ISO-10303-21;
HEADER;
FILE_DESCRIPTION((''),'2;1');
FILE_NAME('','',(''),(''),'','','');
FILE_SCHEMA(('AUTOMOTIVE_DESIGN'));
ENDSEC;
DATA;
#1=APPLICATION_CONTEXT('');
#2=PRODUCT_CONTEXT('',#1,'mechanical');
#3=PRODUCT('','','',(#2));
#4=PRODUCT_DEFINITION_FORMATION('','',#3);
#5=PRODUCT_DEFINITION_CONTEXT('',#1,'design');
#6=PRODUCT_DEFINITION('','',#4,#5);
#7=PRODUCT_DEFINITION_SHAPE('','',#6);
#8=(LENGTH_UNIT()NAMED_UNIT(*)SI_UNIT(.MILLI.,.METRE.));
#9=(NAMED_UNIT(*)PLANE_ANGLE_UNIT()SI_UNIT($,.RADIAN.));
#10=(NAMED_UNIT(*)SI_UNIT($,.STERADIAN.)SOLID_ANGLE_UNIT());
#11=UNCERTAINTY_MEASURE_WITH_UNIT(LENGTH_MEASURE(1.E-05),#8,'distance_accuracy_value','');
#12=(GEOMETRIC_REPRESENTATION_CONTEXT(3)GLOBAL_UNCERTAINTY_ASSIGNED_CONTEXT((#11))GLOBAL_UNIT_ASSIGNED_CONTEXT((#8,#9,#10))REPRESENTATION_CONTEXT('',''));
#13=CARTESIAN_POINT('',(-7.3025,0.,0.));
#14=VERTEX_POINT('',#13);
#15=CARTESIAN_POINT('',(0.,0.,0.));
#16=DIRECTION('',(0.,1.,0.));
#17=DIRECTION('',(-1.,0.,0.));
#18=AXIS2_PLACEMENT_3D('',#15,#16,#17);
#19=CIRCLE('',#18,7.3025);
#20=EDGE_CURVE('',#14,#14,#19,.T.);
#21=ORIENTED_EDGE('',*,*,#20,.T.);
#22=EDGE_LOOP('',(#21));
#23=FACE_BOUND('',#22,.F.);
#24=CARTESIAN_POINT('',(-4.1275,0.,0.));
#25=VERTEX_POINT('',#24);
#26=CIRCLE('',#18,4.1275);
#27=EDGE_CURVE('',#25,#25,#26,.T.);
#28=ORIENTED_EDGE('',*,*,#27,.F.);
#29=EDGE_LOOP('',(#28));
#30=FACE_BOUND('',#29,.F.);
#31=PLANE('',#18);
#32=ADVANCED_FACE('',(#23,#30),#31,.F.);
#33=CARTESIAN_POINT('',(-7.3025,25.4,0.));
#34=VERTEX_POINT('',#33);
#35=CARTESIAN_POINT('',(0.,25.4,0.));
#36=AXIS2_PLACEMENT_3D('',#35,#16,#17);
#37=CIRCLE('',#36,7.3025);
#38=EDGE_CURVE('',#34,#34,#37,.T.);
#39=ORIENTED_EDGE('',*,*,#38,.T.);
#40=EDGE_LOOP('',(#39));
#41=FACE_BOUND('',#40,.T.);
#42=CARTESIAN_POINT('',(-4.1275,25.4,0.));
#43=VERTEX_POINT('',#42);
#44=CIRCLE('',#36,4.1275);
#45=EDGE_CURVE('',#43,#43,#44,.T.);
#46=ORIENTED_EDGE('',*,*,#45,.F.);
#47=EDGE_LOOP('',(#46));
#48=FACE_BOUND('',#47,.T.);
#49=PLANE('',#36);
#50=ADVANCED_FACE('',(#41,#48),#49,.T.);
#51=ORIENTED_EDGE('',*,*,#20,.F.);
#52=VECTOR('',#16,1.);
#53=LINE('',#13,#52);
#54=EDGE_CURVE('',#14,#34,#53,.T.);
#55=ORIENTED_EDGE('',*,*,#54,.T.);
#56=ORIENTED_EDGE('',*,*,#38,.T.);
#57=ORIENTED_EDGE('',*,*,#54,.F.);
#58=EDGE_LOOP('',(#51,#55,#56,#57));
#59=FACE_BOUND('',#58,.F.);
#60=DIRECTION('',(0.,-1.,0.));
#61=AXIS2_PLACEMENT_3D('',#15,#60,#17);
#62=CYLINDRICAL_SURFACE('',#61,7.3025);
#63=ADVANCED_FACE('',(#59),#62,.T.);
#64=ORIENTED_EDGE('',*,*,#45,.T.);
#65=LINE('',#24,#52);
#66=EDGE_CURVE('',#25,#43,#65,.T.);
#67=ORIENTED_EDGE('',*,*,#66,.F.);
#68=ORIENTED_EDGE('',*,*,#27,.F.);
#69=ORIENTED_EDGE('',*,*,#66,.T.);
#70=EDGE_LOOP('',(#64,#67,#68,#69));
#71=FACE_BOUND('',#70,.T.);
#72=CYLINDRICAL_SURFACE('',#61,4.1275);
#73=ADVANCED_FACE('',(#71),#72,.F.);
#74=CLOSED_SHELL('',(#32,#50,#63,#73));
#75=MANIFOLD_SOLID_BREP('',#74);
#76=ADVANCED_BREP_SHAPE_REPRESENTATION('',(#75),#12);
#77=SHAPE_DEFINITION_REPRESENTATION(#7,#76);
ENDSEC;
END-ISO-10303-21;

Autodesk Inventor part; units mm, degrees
ref_plane "YZ Plane" through (0, 0, 0) normal (1, 0, 0) x (0, 1, 0)
ref_plane "XZ Plane" through (0, 0, 0) normal (0, 1, 0) x (-1, 0, 0)
ref_plane "XY Plane" through (0, 0, 0) normal (0, 0, 1) x (1, 0, 0)
sketch "Sketch1" plane through (0, 0, 0) normal (0, 1, 0) x (-1, 0, 0)
  circle A0 centre (0, 0) radius 4.1275
  circle A1 centre (0, 0) radius 7.3025
  dimension "d0" = 8.255
  dimension "d2" = 3.175
extrude "Extrusion1" add sketch "Sketch1" along normal blind 25.4
properties part number "Rod Test Fit_3DPrint"
